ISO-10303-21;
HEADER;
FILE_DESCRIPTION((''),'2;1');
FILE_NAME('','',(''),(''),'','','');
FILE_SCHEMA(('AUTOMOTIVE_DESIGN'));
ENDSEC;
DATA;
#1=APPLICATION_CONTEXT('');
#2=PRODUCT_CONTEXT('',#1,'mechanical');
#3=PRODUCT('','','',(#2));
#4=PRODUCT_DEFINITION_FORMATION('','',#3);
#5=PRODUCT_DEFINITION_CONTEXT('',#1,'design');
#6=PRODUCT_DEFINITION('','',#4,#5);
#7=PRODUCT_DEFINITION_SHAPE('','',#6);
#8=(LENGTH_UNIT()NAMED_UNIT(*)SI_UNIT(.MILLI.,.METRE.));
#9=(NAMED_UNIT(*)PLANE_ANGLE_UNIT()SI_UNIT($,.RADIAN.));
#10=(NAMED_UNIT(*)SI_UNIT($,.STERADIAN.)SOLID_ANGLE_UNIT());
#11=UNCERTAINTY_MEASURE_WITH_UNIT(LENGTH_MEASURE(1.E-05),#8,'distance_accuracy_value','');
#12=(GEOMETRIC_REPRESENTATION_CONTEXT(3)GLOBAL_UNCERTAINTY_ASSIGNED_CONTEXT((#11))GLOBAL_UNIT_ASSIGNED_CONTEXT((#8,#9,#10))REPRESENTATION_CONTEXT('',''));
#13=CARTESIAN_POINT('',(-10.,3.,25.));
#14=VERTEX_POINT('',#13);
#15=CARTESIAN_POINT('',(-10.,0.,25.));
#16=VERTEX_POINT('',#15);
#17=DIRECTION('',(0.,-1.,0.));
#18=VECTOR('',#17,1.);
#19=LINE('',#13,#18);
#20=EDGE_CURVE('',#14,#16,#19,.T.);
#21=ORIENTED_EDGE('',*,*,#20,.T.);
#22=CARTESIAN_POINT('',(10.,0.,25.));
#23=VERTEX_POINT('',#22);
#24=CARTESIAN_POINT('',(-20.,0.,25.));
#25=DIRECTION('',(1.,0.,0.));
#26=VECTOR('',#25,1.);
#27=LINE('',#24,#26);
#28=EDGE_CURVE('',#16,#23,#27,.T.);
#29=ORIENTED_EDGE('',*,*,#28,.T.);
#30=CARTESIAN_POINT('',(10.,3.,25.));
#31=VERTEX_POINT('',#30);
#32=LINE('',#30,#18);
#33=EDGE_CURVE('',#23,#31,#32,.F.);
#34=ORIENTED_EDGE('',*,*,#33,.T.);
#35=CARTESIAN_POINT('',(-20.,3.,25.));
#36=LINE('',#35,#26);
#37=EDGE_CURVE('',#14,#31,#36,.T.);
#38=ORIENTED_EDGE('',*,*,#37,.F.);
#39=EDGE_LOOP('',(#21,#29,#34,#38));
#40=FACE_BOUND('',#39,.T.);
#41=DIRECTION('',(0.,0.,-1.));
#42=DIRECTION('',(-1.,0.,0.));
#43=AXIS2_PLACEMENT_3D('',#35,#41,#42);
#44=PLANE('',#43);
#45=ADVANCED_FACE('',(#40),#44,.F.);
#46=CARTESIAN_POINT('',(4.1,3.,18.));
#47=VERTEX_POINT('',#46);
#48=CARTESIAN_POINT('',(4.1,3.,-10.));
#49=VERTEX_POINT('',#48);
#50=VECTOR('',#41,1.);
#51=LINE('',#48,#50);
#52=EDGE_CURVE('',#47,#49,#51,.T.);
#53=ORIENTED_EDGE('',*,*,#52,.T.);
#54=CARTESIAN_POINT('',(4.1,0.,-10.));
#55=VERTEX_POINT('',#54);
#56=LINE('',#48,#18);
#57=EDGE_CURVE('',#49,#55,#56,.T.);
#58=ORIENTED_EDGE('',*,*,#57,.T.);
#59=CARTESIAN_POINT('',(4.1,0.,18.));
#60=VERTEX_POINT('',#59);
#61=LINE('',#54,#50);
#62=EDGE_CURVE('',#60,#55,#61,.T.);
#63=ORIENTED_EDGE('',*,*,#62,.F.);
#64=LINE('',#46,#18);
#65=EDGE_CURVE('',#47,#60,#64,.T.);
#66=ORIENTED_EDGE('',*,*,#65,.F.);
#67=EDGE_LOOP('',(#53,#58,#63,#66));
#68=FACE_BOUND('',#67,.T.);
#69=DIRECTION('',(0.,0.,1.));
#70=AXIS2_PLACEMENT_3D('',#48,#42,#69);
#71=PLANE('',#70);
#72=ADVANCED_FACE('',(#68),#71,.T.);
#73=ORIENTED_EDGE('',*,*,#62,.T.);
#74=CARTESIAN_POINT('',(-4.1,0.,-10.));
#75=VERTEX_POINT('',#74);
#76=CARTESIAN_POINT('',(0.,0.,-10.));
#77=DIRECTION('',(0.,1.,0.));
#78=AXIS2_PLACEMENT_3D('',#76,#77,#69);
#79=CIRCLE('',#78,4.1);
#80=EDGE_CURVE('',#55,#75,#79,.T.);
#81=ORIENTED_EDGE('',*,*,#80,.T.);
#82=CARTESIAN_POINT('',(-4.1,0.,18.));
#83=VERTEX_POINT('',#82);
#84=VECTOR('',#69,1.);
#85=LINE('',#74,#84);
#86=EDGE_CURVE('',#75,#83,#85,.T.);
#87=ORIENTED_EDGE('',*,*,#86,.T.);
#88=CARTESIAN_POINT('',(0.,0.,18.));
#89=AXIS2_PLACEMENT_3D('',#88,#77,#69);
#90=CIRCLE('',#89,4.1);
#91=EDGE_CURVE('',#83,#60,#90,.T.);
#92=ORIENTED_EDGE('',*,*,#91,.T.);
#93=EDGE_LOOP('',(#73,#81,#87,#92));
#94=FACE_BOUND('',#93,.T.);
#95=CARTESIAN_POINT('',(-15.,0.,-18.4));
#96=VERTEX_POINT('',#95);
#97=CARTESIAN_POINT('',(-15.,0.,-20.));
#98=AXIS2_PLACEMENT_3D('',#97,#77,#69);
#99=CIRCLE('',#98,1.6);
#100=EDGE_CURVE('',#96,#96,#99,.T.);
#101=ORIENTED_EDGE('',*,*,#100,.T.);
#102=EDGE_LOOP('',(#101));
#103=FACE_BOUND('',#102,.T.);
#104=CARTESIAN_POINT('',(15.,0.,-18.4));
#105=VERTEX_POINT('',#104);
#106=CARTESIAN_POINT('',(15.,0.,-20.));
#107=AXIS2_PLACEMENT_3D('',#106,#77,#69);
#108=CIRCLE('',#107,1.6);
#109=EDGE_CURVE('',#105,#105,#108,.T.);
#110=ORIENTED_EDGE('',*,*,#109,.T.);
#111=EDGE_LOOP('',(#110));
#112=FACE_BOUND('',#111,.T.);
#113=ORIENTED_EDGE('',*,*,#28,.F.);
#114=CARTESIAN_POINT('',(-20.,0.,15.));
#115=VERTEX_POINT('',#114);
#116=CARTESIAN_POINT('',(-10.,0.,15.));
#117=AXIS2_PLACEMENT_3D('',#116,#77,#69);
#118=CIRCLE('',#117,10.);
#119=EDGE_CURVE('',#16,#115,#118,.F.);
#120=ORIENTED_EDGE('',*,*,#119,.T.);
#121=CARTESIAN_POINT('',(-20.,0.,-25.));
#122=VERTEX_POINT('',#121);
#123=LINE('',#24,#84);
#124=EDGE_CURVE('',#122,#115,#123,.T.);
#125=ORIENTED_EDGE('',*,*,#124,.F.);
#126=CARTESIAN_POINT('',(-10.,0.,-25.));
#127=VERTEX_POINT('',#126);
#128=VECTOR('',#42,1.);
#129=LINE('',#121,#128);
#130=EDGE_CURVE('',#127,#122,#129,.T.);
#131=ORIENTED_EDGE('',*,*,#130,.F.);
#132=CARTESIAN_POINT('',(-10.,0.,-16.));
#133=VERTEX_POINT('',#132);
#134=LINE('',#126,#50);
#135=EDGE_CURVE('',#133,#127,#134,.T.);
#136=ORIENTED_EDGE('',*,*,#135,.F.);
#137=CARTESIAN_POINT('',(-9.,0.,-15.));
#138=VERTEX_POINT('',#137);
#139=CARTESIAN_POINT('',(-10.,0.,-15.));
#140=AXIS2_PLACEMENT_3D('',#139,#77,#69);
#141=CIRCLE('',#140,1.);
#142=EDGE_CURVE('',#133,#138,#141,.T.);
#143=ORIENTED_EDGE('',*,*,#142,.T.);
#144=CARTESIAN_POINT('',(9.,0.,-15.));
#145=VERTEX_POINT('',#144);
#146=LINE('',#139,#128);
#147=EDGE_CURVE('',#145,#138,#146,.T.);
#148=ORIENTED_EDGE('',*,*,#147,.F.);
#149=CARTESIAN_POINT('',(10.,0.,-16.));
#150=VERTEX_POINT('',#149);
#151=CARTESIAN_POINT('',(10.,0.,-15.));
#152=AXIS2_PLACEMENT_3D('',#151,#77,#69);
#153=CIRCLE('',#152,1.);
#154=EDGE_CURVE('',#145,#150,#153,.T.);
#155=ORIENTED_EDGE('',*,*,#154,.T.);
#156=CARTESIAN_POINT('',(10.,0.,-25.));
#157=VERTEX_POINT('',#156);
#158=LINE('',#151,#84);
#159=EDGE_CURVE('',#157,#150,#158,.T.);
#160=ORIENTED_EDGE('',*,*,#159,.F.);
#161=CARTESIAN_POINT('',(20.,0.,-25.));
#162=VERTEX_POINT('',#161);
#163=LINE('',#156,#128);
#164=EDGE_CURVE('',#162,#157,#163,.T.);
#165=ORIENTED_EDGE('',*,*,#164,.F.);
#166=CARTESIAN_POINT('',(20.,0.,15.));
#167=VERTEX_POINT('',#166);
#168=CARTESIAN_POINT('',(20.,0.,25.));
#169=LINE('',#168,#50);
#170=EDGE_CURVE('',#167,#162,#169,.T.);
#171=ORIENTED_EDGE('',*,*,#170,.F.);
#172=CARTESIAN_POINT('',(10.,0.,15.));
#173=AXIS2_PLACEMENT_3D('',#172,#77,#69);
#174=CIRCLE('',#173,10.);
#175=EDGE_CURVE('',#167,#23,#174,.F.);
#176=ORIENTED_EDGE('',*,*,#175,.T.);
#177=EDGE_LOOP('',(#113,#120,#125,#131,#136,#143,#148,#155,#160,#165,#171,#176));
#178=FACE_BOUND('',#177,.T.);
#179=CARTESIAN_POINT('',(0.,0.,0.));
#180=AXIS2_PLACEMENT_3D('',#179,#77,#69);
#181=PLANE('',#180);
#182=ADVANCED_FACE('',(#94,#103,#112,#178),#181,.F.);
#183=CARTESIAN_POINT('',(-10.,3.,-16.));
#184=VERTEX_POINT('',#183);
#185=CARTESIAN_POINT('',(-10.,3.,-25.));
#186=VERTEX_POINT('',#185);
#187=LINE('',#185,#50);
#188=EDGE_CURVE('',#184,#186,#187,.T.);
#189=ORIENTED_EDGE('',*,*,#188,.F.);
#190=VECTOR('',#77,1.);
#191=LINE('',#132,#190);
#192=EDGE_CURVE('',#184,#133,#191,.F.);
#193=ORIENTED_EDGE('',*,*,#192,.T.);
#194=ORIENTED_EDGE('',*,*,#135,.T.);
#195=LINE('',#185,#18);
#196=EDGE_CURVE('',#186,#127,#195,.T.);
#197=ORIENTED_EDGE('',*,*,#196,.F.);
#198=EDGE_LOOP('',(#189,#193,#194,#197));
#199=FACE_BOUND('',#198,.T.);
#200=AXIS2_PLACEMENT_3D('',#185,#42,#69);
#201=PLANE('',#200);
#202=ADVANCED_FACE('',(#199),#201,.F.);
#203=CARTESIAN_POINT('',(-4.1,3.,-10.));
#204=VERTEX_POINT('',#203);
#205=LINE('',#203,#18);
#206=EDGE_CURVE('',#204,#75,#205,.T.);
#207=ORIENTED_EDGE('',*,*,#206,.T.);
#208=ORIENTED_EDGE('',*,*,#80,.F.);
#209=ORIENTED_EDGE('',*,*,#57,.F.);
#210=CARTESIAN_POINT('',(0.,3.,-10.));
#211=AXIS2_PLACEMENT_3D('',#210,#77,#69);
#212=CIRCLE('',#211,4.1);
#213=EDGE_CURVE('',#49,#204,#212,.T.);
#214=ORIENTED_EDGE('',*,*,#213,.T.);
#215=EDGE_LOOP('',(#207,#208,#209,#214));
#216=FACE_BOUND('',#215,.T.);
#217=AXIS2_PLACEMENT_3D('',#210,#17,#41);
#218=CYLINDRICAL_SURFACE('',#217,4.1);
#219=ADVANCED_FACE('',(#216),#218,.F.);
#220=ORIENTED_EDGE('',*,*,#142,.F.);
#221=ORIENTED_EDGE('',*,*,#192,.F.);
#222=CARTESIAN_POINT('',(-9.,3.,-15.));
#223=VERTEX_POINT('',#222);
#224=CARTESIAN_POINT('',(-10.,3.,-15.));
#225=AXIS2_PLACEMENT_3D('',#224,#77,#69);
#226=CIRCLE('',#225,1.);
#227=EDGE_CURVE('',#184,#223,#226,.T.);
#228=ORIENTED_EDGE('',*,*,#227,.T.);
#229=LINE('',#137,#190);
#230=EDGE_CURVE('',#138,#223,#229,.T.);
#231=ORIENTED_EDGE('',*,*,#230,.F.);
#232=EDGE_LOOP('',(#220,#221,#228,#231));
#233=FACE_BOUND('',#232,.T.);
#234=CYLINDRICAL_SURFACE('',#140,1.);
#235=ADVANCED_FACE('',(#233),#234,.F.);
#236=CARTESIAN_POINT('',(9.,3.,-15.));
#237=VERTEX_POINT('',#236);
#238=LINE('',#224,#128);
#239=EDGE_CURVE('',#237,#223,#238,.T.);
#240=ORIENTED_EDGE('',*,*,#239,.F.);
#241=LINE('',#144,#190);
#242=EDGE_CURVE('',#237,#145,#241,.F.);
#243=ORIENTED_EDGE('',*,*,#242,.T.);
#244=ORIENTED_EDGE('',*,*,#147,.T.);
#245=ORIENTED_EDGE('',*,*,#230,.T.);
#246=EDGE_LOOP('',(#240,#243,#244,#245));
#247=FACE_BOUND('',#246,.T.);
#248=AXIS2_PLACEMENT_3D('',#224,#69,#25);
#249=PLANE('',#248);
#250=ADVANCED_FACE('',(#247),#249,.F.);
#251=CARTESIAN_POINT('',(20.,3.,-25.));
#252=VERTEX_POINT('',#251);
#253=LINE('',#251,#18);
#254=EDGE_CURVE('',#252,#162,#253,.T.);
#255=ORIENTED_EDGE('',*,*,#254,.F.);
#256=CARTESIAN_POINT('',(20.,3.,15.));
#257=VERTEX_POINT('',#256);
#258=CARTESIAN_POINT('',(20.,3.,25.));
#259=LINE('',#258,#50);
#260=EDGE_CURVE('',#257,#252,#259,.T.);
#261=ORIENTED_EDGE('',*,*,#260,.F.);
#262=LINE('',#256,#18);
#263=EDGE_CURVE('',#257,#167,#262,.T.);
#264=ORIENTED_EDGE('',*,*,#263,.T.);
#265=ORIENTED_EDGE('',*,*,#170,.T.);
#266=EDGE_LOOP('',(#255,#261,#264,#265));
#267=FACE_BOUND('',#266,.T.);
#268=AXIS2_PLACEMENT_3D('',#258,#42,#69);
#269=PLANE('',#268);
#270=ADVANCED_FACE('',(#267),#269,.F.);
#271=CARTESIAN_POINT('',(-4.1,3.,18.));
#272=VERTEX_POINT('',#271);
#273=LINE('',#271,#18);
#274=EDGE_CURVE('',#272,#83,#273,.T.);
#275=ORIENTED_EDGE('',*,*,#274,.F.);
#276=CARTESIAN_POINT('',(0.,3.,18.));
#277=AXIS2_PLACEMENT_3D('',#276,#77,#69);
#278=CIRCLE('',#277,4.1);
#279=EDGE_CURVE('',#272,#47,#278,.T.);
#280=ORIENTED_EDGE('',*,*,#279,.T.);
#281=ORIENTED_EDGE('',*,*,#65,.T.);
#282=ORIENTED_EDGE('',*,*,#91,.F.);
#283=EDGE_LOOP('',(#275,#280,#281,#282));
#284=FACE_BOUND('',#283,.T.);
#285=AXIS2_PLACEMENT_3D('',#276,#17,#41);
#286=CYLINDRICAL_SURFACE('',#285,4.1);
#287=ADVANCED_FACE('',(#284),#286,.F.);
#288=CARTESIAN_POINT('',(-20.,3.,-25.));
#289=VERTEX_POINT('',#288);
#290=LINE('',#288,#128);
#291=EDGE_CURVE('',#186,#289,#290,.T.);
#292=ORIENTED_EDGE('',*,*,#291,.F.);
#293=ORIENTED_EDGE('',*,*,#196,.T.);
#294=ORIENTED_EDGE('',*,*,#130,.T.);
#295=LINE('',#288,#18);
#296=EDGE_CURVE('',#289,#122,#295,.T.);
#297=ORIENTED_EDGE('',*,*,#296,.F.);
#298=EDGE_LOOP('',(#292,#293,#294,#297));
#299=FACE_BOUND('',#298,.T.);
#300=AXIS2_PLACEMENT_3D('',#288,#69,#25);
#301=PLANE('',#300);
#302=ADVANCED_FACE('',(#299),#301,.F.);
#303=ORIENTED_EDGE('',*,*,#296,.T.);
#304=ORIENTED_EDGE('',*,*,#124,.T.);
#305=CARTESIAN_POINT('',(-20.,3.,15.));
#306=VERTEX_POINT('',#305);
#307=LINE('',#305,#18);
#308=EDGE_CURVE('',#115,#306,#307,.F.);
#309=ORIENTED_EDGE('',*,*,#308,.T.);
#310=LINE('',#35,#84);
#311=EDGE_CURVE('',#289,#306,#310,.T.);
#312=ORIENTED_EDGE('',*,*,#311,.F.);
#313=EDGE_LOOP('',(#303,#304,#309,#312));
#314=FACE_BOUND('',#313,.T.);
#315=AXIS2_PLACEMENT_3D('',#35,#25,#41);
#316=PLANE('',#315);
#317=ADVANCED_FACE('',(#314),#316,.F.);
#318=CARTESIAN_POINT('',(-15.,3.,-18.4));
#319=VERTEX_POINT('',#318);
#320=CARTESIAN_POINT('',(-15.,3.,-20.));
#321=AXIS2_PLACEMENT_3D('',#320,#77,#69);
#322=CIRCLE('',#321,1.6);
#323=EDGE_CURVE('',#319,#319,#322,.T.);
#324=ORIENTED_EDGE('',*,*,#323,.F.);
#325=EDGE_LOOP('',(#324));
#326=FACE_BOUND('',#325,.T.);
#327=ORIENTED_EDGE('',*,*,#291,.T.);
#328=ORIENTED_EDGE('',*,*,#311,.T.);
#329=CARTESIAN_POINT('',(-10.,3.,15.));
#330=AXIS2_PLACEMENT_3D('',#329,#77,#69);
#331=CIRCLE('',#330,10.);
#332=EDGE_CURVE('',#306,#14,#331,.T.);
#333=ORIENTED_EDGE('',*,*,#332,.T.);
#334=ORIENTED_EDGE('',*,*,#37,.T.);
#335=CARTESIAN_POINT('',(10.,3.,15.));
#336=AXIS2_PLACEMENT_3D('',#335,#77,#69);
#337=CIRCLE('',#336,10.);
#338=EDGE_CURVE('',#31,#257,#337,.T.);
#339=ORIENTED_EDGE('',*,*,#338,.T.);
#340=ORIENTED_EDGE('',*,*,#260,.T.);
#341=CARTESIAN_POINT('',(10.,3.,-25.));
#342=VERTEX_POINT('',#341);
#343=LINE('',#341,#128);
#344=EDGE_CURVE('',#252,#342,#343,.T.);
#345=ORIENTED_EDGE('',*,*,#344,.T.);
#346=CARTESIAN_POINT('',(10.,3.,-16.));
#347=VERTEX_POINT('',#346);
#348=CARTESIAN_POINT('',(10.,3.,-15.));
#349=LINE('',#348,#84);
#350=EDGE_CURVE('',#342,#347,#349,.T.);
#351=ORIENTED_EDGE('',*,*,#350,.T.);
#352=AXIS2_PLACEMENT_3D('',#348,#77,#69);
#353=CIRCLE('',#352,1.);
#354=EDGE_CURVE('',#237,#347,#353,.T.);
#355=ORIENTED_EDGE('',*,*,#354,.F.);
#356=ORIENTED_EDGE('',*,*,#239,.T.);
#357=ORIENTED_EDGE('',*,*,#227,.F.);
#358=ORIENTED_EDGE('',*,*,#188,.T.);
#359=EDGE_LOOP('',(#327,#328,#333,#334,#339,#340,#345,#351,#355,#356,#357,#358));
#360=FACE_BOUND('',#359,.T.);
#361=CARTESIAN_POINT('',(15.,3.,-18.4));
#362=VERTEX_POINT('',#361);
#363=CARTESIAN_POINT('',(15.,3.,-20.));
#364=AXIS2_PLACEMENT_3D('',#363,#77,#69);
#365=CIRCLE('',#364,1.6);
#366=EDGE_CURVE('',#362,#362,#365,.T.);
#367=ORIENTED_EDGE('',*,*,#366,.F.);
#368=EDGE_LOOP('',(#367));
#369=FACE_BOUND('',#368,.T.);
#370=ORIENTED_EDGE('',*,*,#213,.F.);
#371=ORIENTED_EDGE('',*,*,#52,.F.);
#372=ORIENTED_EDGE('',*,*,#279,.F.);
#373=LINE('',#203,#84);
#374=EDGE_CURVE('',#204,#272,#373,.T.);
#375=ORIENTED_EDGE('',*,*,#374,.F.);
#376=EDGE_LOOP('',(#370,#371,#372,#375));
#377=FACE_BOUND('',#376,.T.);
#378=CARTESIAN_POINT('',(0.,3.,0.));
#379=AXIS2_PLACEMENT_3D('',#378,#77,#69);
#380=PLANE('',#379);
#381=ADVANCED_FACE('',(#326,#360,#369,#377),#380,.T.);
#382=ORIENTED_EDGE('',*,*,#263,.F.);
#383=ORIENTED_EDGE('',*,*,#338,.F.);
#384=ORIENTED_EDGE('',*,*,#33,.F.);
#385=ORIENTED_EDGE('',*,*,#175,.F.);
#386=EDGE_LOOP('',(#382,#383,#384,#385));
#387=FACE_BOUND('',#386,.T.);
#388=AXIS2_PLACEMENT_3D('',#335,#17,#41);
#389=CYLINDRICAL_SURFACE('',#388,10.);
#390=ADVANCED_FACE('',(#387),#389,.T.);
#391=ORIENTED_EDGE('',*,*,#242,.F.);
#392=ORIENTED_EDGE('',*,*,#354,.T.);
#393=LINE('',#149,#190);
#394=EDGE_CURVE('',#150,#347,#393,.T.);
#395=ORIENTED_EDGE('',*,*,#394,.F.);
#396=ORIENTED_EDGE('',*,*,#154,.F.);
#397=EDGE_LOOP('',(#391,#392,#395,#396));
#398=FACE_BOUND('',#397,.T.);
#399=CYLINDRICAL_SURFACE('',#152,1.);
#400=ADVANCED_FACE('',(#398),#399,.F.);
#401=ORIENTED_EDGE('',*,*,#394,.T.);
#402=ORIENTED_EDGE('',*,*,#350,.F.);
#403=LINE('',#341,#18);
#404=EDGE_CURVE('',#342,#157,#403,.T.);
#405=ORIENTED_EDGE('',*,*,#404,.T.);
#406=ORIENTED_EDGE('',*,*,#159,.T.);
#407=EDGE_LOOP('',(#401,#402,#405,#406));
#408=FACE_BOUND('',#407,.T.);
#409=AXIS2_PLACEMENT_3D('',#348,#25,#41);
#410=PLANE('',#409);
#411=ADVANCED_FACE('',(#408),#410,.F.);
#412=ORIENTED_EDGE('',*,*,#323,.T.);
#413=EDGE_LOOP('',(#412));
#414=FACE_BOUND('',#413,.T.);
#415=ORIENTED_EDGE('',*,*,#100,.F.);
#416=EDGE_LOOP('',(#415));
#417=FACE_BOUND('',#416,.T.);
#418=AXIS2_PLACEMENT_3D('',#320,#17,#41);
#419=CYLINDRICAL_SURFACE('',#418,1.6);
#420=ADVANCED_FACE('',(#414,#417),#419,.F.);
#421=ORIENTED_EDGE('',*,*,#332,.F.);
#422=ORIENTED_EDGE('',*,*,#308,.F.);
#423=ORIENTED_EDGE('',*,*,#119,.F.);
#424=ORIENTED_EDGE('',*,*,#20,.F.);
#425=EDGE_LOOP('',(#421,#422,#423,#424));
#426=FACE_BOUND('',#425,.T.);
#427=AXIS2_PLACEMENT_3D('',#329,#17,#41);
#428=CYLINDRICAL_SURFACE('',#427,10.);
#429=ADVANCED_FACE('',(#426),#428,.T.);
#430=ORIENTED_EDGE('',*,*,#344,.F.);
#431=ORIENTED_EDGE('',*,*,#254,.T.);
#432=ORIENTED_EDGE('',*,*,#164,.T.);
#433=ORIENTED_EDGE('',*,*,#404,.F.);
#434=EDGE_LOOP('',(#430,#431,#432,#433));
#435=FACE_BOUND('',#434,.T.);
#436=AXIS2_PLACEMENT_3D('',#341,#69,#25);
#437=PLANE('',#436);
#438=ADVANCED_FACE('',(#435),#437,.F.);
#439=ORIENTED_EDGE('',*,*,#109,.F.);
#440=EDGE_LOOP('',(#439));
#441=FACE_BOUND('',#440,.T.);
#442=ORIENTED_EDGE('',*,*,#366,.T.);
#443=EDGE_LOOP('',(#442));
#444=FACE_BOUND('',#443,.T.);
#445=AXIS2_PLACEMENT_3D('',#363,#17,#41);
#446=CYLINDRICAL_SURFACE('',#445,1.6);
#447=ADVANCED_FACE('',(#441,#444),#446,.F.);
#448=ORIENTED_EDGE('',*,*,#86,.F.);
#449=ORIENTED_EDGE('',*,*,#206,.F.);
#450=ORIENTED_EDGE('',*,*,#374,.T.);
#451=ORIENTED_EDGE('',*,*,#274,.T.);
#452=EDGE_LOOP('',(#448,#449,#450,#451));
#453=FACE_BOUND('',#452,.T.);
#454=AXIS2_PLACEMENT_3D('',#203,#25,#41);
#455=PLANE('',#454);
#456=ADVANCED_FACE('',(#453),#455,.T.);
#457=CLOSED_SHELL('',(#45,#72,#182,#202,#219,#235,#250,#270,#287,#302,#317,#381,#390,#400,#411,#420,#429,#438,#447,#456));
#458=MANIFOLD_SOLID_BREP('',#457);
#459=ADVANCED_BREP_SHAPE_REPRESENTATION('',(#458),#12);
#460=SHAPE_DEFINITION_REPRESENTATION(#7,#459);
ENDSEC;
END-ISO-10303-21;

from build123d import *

# Parameters (mm, degrees)
SKETCH_1_R          = 1.6
EXTRUDE_1_DEPTH     = 3
FILLET_1_R          = 10
SKETCH_2_R          = 1
CUT_EXTRUDE_1_DEPTH = 3


with BuildPart() as part:
    # 草图1 → 凸台-拉伸1 (new body)
    with BuildSketch(Plane(origin=(0, 0, 0), x_dir=(1, 0, 0), z_dir=(0, 1, 0))):
        Polygon((-10, 25), (-10, 15), (10, 15), (10, 25), (20, 25), (20, -25), (-20, -25), (-20, 25), align=None)
        with Locations(Location((-15, 20, 0), (0, 0, 270))):
            Circle(SKETCH_1_R, mode=Mode.SUBTRACT)
        with Locations(Location((15, 20, 0), (0, 0, 270))):
            Circle(SKETCH_1_R, mode=Mode.SUBTRACT)
        with BuildLine():
            Line((4.1, 10), (4.1, -18))
            ThreePointArc((4.1, -18), (0, -22.1), (-4.1, -18))
            Line((-4.1, -18), (-4.1, 10))
            ThreePointArc((-4.1, 10), (0, 14.1), (4.1, 10))
        make_face(mode=Mode.SUBTRACT)
    extrude(amount=EXTRUDE_1_DEPTH)

    # 圆角1
    fillet_1_edges = [part.edges().sort_by_distance(p)[0] for p in [
        (20, 1.5, 25),
        (-20, 1.5, 25),
    ]]
    fillet(fillet_1_edges, radius=FILLET_1_R)

    # 草图2 → 切除-拉伸1 (cut)
    with BuildSketch(Plane(origin=(0, 3, 0), x_dir=(1, 0, 0), z_dir=(0, 1, 0))):
        with Locations((-10, 15)):
            Circle(SKETCH_2_R)
        with Locations((10, 15)):
            Circle(SKETCH_2_R)
    extrude(amount=-CUT_EXTRUDE_1_DEPTH, mode=Mode.SUBTRACT)


solid = part.part
